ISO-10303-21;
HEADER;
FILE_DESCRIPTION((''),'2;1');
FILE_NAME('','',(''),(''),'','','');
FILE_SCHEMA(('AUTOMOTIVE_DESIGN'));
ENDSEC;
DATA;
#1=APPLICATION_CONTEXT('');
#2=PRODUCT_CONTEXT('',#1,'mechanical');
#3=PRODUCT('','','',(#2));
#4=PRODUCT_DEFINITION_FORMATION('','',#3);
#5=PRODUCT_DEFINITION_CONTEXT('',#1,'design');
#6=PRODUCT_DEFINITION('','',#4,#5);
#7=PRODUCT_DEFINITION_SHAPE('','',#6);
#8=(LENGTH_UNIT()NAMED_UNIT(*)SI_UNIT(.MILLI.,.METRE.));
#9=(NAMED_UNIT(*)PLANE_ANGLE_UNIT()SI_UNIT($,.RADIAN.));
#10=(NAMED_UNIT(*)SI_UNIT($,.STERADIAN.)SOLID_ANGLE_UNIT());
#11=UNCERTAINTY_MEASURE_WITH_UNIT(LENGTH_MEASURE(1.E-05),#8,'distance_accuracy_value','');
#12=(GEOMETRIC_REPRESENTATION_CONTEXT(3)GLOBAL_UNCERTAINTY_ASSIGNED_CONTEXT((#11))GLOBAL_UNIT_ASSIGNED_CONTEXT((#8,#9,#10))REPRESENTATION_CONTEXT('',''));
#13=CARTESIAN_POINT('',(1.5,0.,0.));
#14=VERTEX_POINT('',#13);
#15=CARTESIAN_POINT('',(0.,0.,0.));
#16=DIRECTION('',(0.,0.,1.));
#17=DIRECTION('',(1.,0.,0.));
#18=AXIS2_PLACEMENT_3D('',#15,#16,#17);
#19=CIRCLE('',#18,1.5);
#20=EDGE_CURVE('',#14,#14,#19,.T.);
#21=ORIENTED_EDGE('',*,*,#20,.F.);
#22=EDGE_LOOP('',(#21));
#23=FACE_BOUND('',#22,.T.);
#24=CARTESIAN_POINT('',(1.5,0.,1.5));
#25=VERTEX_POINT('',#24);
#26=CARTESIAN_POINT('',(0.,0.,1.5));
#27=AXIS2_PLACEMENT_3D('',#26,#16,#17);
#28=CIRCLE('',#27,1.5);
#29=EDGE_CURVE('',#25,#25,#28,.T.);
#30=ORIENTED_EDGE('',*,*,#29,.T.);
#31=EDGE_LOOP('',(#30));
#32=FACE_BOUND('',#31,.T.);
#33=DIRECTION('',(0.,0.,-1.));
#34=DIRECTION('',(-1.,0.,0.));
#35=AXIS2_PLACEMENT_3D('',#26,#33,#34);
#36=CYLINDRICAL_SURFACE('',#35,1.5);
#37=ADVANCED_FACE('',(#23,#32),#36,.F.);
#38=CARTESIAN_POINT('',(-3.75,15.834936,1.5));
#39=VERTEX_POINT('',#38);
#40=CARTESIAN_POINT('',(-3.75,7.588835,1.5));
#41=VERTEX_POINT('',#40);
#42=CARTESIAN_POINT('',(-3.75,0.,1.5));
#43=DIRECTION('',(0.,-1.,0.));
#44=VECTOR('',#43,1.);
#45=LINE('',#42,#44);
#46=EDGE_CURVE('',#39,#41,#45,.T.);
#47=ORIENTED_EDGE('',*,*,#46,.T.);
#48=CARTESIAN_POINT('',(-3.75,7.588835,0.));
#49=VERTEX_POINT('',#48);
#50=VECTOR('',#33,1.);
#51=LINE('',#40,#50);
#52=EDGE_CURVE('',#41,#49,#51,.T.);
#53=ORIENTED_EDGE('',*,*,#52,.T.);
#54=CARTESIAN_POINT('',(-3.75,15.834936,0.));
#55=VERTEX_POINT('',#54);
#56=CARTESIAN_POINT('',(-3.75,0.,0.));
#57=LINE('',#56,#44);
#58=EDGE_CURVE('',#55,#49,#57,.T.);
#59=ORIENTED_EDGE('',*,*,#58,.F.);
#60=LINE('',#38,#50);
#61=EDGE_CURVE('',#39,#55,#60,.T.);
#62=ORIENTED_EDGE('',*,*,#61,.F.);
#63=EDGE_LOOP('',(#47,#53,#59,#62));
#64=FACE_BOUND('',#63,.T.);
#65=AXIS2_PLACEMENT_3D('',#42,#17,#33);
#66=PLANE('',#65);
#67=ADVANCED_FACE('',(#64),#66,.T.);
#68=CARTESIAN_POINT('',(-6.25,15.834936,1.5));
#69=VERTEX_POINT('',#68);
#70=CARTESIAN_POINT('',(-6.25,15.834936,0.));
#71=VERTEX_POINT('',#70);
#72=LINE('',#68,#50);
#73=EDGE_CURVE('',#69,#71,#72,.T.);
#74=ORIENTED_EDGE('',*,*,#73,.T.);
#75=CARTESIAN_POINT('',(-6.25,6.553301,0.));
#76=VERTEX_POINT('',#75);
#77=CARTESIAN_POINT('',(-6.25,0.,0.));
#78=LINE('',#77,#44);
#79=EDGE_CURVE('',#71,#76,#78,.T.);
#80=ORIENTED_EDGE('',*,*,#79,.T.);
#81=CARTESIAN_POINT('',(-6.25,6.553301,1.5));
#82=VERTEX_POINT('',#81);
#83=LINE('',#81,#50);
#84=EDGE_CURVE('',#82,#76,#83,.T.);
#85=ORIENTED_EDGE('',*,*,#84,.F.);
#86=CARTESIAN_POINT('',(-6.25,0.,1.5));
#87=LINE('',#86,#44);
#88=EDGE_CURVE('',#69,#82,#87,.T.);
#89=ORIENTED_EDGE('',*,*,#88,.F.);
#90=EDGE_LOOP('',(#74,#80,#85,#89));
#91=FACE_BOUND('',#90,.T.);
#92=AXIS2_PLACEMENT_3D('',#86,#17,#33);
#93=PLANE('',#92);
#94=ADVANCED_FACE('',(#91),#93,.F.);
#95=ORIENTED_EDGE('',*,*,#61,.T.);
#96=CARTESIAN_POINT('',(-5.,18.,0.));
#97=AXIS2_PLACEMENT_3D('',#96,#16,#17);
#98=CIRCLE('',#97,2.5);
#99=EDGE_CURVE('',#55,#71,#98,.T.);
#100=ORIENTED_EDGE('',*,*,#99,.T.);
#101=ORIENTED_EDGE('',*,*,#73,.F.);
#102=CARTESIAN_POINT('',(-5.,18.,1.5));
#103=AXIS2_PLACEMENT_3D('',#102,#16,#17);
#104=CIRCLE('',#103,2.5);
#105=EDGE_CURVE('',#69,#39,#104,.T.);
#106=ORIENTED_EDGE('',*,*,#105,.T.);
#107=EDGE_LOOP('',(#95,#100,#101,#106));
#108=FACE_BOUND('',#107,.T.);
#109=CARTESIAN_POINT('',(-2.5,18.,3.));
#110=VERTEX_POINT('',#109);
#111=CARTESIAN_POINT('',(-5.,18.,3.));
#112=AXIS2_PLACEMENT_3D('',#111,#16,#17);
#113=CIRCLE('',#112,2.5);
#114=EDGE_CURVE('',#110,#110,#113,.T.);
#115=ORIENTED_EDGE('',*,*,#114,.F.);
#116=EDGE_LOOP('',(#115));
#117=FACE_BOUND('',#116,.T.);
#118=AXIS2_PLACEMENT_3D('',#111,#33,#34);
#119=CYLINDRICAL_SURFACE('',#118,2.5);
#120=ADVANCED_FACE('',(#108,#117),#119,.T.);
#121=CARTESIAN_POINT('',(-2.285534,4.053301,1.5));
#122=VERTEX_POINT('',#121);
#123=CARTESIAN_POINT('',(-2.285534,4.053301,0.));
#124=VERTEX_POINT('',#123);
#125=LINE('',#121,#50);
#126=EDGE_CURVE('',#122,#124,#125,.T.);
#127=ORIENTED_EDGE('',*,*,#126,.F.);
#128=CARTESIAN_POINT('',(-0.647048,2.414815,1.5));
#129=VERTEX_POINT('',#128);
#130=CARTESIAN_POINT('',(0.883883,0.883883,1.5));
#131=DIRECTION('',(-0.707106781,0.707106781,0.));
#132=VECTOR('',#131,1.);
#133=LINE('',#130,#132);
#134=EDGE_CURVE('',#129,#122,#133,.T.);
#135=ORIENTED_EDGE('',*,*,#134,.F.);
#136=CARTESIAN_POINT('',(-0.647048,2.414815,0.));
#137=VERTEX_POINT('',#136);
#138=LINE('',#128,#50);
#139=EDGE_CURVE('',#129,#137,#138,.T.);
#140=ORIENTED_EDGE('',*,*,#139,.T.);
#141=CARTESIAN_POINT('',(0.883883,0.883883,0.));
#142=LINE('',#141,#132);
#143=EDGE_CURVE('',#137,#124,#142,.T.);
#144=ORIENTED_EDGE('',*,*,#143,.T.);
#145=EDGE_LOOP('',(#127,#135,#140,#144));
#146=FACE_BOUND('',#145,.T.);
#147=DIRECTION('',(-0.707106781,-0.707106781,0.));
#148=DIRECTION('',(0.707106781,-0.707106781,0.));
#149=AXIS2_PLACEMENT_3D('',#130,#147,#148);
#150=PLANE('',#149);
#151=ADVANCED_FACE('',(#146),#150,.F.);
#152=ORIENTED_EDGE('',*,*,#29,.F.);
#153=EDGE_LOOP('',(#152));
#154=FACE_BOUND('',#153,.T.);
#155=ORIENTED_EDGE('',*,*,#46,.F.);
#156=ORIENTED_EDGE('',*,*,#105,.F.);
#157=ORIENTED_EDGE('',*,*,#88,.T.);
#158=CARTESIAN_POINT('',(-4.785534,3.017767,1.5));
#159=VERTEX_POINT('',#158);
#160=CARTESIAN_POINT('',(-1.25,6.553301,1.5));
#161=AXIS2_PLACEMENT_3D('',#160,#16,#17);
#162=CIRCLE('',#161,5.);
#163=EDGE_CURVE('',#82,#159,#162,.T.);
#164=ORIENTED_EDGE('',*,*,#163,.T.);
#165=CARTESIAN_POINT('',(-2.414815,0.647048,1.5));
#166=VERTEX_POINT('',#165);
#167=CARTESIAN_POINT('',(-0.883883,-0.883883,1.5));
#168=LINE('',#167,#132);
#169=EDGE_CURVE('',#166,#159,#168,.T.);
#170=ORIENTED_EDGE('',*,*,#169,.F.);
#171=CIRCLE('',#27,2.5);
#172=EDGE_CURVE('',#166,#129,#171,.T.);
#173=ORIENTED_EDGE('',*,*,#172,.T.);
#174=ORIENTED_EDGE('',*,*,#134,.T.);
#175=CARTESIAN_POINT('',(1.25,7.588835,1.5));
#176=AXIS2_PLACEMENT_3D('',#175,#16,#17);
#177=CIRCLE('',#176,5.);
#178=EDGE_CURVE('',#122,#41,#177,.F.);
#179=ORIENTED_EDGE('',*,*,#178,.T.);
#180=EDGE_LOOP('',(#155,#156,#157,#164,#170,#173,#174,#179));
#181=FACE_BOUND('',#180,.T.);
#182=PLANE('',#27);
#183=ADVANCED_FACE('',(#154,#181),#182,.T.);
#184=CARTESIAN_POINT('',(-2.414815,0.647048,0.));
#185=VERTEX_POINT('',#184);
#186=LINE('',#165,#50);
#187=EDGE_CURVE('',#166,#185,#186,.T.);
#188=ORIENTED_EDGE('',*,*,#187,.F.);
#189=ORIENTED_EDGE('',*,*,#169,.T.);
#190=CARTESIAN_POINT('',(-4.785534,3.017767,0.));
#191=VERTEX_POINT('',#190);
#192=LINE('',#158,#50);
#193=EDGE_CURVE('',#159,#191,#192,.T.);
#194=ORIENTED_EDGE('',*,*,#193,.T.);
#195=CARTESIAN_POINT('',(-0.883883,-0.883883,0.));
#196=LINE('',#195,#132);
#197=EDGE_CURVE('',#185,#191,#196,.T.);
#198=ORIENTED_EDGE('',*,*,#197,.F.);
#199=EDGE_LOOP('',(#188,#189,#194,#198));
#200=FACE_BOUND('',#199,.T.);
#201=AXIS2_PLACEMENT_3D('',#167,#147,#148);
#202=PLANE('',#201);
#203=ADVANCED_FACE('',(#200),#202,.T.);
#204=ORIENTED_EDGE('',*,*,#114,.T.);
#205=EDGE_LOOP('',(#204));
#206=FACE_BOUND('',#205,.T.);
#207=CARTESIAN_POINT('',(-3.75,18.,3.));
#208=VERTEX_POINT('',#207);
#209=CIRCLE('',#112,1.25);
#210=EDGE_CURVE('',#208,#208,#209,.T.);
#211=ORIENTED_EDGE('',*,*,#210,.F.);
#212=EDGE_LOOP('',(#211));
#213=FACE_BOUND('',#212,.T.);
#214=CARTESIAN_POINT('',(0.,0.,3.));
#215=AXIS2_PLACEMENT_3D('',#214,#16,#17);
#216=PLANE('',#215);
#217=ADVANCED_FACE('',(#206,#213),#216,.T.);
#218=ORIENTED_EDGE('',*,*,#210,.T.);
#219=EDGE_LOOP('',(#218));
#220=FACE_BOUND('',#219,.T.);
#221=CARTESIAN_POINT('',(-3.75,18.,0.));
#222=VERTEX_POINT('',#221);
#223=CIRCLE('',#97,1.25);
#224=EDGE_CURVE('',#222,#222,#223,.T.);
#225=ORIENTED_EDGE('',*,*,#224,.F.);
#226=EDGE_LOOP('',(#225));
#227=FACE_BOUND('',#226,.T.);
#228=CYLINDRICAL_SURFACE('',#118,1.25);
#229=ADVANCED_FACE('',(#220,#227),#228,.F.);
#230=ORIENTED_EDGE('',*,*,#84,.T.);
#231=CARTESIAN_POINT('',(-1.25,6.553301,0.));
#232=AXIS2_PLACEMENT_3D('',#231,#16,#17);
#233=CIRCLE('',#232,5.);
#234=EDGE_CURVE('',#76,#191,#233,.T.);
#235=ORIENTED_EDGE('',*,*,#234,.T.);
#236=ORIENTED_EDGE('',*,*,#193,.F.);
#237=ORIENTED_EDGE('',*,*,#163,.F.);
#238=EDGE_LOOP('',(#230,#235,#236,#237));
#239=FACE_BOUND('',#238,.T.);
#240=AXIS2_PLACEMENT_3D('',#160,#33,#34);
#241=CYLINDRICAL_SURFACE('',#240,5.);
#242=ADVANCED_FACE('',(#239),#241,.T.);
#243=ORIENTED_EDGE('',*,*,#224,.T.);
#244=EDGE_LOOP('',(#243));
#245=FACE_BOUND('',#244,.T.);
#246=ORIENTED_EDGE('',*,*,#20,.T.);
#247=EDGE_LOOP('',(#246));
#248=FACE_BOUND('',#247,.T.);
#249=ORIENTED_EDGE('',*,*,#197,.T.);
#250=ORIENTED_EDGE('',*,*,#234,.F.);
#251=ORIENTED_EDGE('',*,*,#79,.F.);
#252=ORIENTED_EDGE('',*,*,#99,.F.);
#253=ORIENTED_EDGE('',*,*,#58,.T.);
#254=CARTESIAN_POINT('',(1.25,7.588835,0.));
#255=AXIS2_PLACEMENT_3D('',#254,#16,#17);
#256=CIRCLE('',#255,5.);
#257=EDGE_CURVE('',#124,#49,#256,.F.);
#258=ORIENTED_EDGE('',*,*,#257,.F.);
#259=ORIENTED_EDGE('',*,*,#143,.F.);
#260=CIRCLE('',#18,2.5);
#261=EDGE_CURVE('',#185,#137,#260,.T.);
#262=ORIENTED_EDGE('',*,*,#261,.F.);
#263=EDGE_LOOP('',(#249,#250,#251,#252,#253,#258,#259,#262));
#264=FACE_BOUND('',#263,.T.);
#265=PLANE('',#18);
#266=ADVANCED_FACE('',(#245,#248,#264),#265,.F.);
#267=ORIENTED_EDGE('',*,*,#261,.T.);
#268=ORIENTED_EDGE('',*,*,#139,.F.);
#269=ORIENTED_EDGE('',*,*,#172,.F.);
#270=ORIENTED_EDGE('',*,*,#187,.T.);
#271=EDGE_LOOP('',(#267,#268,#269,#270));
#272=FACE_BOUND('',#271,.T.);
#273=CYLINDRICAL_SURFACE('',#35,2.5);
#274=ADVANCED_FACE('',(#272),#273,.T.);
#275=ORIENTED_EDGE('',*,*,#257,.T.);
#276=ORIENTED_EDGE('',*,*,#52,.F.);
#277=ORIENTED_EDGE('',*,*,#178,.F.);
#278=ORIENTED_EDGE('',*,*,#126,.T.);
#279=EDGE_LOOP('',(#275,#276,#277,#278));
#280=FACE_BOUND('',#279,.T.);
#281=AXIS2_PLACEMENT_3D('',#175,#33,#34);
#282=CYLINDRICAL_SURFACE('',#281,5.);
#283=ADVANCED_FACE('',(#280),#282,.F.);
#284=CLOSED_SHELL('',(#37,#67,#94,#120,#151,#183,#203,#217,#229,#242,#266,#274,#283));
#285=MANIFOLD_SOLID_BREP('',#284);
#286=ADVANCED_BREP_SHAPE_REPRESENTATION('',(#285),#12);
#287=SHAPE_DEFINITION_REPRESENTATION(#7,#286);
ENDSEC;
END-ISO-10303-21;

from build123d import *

# Parameters (mm, degrees)
SKETCH1_R           = 1.5
BOSS_EXTRUDE1_DEPTH = 1.5
SKETCH1_3_R         = 1.25
BOSS_EXTRUDE2_DEPTH = 3


with BuildPart() as part:
    # Sketch1 → Boss-Extrude1 (new body)
    with BuildSketch(Plane.XY):
        with BuildLine():
            Line((-3.75, 7.588834765), (-3.75, 15.834936491))
            ThreePointArc((-3.75, 15.834936491), (-5, 15.5), (-6.25, 15.834936491))
            Line((-6.25, 15.834936491), (-6.25, 6.553300859))
            ThreePointArc((-6.25, 6.553300859), (-5.869397663, 4.639883697), (-4.785533906, 3.017766953))
            Line((-4.785533906, 3.017766953), (-2.414814566, 0.647047613))
            ThreePointArc((-2.414814566, 0.647047613), (1.767766953, -1.767766953), (-0.647047613, 2.414814566))
            Line((-0.647047613, 2.414814566), (-2.285533906, 4.053300859))
            ThreePointArc((-2.285533906, 4.053300859), (-3.369397663, 5.675417603), (-3.75, 7.588834765))
        make_face()
        Circle(SKETCH1_R, mode=Mode.SUBTRACT)
    extrude(amount=BOSS_EXTRUDE1_DEPTH)

    # Sketch1<3> → Boss-Extrude2 (add)
    with BuildSketch(Plane.XY):
        with BuildLine():
            ThreePointArc((-6.25, 15.834936491), (-5, 15.5), (-3.75, 15.834936491))
            ThreePointArc((-3.75, 15.834936491), (-2.834936491, 16.75), (-2.5, 18))
            ThreePointArc((-2.5, 18), (-6.25, 20.165063509), (-6.25, 15.834936491))
        make_face()
        with Locations((-5, 18)):
            Circle(SKETCH1_3_R, mode=Mode.SUBTRACT)
    extrude(amount=BOSS_EXTRUDE2_DEPTH)


solid = part.part
